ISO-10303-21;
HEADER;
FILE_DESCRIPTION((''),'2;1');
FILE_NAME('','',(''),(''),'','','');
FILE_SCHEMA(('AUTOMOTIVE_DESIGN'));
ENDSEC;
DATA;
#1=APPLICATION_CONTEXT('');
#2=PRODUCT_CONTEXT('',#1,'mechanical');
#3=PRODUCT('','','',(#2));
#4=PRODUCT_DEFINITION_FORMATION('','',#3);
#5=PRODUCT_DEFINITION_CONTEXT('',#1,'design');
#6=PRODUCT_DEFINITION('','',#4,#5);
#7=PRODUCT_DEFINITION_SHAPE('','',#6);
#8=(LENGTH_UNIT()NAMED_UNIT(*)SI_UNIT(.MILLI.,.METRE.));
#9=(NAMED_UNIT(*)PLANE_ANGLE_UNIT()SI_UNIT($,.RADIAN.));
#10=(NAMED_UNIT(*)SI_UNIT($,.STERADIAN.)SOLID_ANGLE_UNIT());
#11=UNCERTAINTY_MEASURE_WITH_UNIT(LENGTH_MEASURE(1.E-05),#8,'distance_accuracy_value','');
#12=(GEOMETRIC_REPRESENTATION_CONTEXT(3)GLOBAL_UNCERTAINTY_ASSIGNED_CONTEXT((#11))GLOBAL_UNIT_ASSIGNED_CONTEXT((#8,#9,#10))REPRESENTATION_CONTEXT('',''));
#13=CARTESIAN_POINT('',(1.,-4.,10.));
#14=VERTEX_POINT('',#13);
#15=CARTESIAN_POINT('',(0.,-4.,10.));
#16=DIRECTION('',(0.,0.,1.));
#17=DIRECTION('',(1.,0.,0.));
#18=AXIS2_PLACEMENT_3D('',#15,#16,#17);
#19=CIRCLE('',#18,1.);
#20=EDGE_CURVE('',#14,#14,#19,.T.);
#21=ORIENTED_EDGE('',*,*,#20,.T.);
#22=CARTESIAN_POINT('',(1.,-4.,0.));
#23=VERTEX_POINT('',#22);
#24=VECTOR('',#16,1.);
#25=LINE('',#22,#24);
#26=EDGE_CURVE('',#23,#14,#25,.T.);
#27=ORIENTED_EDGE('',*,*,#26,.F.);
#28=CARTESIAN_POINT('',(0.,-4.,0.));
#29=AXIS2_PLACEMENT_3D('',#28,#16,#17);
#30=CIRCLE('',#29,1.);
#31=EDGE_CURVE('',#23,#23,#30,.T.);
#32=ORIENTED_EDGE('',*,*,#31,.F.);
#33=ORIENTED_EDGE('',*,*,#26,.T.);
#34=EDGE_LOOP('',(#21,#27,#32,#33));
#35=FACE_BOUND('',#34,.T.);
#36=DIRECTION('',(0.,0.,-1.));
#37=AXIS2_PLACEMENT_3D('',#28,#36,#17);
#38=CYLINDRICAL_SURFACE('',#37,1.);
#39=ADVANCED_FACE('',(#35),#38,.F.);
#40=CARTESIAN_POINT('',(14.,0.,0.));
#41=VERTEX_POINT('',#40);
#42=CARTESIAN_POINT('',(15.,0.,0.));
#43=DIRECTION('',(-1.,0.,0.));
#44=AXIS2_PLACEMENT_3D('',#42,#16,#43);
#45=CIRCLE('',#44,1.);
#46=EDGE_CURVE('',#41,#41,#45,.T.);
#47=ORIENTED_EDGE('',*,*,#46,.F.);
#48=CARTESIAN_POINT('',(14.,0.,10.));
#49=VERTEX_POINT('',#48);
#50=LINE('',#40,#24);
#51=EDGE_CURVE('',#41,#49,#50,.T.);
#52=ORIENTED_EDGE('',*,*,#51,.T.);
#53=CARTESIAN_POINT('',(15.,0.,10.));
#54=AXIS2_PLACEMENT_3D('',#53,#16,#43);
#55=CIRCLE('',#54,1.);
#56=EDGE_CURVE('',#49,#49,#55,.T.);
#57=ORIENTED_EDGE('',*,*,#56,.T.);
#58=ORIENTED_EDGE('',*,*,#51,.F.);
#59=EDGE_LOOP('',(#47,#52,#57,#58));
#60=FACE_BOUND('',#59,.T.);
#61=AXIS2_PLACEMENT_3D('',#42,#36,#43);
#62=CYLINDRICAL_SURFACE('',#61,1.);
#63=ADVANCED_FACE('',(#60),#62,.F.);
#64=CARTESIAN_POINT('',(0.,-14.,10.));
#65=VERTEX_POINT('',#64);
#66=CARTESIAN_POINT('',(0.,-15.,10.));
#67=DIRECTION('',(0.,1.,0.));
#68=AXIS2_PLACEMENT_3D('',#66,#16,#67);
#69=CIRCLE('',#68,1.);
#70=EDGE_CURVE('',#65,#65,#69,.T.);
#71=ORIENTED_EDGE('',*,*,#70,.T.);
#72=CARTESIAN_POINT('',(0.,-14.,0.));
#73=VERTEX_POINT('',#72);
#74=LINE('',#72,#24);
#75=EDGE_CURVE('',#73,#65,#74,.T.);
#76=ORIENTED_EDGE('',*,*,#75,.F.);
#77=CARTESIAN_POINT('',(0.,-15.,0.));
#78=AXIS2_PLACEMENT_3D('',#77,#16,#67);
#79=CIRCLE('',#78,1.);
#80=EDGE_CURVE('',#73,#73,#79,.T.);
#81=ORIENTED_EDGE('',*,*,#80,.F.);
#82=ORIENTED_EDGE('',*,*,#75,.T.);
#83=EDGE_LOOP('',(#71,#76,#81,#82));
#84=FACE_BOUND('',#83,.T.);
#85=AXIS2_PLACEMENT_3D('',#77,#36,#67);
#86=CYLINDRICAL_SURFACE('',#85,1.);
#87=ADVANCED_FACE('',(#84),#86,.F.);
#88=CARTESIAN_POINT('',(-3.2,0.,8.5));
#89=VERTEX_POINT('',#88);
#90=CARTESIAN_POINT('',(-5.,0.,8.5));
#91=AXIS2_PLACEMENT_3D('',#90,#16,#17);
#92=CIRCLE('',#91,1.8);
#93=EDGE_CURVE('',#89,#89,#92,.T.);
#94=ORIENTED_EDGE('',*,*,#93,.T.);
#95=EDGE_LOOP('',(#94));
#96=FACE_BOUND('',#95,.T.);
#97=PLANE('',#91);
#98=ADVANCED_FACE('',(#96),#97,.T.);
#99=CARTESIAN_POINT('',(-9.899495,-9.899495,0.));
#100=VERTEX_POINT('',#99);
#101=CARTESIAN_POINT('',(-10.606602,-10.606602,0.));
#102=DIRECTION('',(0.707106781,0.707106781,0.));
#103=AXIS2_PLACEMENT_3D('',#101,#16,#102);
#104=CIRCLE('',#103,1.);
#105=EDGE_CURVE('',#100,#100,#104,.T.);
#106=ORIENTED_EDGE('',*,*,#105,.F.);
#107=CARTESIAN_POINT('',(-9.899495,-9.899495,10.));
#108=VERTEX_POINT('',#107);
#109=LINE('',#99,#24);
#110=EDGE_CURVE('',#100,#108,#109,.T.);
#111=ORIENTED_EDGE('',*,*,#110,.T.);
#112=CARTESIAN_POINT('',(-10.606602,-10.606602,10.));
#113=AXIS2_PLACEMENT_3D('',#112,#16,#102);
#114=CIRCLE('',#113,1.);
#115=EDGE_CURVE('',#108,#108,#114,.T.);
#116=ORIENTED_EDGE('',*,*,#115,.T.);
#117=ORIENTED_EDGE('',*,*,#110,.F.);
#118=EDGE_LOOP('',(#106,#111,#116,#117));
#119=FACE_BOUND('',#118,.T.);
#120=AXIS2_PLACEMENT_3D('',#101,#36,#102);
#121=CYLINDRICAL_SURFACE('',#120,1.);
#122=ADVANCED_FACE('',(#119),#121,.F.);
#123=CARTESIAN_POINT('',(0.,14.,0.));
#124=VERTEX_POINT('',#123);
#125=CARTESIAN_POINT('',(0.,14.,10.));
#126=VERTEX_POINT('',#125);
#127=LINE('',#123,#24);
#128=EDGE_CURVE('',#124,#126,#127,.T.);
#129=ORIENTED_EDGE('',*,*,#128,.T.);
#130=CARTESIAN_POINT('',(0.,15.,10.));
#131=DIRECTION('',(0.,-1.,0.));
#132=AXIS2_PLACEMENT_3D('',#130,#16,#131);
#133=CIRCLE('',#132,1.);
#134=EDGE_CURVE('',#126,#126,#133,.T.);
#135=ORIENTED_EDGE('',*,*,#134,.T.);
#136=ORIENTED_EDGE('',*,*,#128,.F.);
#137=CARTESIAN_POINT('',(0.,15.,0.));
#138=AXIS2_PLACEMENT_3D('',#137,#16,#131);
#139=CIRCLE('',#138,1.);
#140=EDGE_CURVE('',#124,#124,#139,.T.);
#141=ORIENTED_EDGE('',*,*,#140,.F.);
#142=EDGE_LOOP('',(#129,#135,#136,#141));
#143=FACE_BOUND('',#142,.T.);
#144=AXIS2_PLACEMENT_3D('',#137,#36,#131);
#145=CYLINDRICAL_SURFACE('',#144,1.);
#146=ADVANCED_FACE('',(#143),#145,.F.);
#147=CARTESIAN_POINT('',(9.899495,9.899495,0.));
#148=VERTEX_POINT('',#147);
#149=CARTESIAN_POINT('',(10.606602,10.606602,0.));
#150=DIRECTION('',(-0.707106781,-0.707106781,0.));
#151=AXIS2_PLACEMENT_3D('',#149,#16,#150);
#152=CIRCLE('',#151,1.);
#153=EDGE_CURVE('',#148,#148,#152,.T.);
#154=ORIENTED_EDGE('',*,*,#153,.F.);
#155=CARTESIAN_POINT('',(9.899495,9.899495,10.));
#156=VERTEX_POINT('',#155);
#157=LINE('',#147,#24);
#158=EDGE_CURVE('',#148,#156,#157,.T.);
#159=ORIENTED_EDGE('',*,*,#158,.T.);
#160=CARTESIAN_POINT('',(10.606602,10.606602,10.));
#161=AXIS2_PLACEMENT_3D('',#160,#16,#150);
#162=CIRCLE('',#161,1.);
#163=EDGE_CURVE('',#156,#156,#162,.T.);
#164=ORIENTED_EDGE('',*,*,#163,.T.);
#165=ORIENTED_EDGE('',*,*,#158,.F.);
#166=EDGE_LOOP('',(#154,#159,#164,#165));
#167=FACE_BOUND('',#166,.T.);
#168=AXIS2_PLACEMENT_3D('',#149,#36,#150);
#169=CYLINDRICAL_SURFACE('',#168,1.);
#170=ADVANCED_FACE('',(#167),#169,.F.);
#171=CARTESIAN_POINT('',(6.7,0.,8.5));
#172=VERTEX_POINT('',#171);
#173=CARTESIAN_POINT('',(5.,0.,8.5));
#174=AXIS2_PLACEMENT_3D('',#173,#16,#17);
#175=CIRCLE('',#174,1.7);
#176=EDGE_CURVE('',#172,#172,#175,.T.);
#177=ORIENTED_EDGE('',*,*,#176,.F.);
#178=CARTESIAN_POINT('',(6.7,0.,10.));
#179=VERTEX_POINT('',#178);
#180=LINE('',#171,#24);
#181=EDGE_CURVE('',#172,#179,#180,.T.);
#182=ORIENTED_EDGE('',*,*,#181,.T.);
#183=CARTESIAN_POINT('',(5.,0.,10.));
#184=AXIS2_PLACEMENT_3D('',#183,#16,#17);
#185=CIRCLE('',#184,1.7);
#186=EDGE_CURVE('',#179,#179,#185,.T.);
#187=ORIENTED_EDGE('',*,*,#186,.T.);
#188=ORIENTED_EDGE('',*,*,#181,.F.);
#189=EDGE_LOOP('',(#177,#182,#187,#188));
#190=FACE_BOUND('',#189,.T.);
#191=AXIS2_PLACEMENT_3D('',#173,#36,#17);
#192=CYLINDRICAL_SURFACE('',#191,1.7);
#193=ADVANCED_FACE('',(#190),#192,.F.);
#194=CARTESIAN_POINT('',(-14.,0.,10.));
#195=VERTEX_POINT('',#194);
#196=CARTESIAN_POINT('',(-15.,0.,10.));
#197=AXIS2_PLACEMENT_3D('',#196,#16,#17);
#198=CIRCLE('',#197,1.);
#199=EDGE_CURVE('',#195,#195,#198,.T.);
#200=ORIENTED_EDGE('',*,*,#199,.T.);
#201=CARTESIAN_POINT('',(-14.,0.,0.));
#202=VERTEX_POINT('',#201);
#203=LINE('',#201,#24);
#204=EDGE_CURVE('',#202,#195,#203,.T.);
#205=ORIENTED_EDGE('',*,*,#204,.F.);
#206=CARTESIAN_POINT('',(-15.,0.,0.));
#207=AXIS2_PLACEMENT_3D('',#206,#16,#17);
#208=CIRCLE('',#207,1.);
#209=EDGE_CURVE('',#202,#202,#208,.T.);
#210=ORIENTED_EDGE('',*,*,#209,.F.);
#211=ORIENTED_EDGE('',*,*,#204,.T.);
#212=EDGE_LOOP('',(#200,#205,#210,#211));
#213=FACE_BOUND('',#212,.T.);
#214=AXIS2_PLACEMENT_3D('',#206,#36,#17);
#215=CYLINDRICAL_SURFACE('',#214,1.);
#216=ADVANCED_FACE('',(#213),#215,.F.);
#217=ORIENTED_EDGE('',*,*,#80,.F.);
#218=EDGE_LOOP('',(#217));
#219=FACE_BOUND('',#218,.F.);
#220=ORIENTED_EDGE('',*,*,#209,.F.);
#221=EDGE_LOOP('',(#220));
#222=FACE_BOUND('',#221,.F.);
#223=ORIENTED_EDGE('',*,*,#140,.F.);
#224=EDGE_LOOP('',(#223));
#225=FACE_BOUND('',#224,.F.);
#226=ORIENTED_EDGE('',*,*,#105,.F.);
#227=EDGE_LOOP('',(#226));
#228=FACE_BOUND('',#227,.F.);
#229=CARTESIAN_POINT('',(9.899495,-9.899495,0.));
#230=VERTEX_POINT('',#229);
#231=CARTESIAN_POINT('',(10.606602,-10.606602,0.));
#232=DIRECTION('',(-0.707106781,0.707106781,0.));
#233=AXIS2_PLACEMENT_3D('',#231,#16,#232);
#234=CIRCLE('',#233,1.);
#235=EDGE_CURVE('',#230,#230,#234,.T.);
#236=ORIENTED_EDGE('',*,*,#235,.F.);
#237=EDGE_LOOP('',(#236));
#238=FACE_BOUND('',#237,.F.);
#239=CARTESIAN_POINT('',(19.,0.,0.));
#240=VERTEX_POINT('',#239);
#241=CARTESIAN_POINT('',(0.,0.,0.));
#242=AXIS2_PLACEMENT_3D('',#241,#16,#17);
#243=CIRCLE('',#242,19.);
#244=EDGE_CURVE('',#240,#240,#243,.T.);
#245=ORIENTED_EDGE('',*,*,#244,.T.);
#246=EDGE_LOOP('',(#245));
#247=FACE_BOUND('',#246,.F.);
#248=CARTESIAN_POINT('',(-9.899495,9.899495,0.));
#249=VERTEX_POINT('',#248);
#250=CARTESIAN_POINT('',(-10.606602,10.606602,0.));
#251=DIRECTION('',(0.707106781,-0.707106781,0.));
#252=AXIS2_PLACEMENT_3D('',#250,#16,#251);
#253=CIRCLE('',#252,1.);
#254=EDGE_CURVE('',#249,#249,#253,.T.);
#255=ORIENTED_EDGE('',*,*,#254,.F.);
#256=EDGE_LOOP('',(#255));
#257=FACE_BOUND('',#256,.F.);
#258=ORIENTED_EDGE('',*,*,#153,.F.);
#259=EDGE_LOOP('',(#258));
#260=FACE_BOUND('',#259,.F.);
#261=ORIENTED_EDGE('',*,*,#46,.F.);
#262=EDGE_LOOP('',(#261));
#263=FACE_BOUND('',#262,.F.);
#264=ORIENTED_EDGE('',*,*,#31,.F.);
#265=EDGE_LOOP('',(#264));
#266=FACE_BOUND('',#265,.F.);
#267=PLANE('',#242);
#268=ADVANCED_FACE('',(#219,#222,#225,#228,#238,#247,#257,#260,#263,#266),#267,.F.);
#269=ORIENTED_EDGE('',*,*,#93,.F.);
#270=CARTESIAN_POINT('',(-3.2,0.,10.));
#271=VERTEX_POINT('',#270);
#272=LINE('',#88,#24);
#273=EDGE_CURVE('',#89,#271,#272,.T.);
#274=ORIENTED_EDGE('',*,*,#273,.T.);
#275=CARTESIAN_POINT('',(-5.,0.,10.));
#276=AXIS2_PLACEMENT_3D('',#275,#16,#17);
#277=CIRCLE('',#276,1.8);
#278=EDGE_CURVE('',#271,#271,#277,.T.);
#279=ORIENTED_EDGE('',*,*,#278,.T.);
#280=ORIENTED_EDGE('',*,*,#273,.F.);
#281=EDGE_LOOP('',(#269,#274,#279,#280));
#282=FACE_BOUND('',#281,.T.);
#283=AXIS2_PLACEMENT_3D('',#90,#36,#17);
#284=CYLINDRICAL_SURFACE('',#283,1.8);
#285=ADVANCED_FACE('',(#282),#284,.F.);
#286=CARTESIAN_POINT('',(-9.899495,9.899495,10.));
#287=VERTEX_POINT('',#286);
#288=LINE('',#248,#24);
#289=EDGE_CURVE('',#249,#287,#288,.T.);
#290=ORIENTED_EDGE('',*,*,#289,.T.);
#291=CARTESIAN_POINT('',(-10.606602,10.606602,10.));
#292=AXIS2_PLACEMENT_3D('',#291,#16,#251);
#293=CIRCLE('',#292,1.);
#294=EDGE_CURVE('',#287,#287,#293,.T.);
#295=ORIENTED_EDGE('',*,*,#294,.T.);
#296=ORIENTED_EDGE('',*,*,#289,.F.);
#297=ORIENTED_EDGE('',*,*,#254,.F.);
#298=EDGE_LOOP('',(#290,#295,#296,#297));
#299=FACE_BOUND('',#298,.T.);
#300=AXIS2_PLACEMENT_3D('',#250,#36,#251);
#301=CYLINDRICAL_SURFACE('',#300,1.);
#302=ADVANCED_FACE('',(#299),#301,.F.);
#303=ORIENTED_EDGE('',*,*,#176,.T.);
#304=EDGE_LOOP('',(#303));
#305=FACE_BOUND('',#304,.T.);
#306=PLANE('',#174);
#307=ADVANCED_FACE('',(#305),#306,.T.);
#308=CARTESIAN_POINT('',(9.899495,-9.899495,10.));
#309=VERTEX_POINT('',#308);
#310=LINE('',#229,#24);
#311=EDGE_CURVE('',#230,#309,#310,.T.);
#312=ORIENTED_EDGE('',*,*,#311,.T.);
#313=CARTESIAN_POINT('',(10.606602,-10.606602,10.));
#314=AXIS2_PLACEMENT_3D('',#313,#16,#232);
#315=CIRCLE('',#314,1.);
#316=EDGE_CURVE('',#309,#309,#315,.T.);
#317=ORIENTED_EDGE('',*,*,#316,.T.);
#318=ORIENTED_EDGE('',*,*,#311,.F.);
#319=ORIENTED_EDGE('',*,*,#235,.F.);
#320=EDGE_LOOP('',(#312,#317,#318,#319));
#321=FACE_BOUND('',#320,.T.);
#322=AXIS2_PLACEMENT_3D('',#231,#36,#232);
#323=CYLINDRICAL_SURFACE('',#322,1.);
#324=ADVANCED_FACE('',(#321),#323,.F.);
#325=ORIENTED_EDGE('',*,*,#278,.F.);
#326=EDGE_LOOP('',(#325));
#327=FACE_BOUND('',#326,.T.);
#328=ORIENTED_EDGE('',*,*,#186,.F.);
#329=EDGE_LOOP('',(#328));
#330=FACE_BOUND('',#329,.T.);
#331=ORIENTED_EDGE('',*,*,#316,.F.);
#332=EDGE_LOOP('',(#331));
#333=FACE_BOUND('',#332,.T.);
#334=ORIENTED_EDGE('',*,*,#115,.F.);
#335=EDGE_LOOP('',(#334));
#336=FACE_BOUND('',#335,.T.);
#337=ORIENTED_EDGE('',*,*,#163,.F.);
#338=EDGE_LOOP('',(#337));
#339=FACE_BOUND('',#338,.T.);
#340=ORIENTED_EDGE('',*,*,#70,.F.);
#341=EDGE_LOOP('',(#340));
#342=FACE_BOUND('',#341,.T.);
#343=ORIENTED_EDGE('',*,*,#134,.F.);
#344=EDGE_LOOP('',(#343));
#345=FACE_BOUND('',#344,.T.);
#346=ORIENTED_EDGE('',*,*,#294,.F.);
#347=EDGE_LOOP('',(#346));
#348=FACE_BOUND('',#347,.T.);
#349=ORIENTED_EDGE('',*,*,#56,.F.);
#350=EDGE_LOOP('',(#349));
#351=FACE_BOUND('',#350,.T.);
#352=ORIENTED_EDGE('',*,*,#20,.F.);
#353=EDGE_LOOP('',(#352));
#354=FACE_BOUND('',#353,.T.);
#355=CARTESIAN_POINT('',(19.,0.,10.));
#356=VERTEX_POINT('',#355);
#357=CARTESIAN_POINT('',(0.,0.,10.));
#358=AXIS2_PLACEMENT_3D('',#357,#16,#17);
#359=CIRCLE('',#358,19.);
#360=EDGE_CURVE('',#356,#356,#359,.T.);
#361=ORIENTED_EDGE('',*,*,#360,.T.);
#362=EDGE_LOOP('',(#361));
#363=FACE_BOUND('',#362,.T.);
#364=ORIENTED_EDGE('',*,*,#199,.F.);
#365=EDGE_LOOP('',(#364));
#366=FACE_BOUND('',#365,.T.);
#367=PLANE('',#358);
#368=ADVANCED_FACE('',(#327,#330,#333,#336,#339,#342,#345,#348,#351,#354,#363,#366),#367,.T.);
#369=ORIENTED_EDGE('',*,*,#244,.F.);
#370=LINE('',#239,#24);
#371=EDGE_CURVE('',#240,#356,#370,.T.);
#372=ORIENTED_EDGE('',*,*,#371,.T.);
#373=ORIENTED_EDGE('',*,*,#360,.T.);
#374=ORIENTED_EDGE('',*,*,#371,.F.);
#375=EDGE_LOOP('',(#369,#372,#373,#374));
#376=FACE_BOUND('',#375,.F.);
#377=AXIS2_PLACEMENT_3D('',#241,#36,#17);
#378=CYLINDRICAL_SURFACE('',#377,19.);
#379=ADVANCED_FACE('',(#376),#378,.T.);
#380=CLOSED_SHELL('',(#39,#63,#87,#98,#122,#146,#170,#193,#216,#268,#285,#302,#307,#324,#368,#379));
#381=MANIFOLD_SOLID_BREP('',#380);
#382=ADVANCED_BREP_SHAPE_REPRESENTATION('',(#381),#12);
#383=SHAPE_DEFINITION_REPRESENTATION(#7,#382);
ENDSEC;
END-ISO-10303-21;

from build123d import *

# Parameters (mm, degrees)
CYLINDER003_R     = 1
CYLINDER003_DEPTH = 10
ARRAY_COUNT       = 8
CYLINDER002_R     = 1.8
CYLINDER002_DEPTH = 1.5
CYLINDER001_R     = 1.7
CYLINDER001_DEPTH = 1.5
CYLINDER004_R     = 1
CYLINDER004_DEPTH = 10
CYLINDER_R        = 19
CYLINDER_DEPTH    = 10


with BuildPart() as array:
    # Cylinder003 → Cylinder003 (new body)
    with BuildSketch(Plane(origin=(-15, 0, 0), x_dir=(1, 0, 0), z_dir=(0, 0, 1))):
        Circle(CYLINDER003_R)
    extrude(amount=CYLINDER003_DEPTH)

    # Array: Array ×8 about axis
    array_axis = Axis((0, 0, 0), (0, 0, 1))


with BuildPart() as array_1:
    add(array.part)
    for i in range(1, ARRAY_COUNT):
        add(array.part.rotate(array_axis, i * 360 / ARRAY_COUNT))


with BuildPart() as recess1:
    # Cylinder002 → Cylinder002 (new body)
    with BuildSketch(Plane(origin=(-5, 0, 8.5), x_dir=(1, 0, 0), z_dir=(0, 0, 1))):
        Circle(CYLINDER002_R)
    extrude(amount=CYLINDER002_DEPTH)


with BuildPart() as recess2:
    # Cylinder001 → Cylinder001 (new body)
    with BuildSketch(Plane(origin=(5, 0, 8.5), x_dir=(1, 0, 0), z_dir=(0, 0, 1))):
        Circle(CYLINDER001_R)
    extrude(amount=CYLINDER001_DEPTH)


with BuildPart() as fusion:
    # Cylinder004 → Cylinder004 (new body)
    with BuildSketch(Plane(origin=(0, -4, 0), x_dir=(1, 0, 0), z_dir=(0, 0, 1))):
        Circle(CYLINDER004_R)
    extrude(amount=CYLINDER004_DEPTH)

    # Fusion: union Array, Recess1, Recess2
    add(array_1.part)
    add(recess1.part)
    add(recess2.part)


with BuildPart() as cut:
    # Cylinder → Cylinder (new body)
    with BuildSketch(Plane.XY):
        Circle(CYLINDER_R)
    extrude(amount=CYLINDER_DEPTH)

    # Cut: cut Fusion
    add(fusion.part, mode=Mode.SUBTRACT)


solid = cut.part
